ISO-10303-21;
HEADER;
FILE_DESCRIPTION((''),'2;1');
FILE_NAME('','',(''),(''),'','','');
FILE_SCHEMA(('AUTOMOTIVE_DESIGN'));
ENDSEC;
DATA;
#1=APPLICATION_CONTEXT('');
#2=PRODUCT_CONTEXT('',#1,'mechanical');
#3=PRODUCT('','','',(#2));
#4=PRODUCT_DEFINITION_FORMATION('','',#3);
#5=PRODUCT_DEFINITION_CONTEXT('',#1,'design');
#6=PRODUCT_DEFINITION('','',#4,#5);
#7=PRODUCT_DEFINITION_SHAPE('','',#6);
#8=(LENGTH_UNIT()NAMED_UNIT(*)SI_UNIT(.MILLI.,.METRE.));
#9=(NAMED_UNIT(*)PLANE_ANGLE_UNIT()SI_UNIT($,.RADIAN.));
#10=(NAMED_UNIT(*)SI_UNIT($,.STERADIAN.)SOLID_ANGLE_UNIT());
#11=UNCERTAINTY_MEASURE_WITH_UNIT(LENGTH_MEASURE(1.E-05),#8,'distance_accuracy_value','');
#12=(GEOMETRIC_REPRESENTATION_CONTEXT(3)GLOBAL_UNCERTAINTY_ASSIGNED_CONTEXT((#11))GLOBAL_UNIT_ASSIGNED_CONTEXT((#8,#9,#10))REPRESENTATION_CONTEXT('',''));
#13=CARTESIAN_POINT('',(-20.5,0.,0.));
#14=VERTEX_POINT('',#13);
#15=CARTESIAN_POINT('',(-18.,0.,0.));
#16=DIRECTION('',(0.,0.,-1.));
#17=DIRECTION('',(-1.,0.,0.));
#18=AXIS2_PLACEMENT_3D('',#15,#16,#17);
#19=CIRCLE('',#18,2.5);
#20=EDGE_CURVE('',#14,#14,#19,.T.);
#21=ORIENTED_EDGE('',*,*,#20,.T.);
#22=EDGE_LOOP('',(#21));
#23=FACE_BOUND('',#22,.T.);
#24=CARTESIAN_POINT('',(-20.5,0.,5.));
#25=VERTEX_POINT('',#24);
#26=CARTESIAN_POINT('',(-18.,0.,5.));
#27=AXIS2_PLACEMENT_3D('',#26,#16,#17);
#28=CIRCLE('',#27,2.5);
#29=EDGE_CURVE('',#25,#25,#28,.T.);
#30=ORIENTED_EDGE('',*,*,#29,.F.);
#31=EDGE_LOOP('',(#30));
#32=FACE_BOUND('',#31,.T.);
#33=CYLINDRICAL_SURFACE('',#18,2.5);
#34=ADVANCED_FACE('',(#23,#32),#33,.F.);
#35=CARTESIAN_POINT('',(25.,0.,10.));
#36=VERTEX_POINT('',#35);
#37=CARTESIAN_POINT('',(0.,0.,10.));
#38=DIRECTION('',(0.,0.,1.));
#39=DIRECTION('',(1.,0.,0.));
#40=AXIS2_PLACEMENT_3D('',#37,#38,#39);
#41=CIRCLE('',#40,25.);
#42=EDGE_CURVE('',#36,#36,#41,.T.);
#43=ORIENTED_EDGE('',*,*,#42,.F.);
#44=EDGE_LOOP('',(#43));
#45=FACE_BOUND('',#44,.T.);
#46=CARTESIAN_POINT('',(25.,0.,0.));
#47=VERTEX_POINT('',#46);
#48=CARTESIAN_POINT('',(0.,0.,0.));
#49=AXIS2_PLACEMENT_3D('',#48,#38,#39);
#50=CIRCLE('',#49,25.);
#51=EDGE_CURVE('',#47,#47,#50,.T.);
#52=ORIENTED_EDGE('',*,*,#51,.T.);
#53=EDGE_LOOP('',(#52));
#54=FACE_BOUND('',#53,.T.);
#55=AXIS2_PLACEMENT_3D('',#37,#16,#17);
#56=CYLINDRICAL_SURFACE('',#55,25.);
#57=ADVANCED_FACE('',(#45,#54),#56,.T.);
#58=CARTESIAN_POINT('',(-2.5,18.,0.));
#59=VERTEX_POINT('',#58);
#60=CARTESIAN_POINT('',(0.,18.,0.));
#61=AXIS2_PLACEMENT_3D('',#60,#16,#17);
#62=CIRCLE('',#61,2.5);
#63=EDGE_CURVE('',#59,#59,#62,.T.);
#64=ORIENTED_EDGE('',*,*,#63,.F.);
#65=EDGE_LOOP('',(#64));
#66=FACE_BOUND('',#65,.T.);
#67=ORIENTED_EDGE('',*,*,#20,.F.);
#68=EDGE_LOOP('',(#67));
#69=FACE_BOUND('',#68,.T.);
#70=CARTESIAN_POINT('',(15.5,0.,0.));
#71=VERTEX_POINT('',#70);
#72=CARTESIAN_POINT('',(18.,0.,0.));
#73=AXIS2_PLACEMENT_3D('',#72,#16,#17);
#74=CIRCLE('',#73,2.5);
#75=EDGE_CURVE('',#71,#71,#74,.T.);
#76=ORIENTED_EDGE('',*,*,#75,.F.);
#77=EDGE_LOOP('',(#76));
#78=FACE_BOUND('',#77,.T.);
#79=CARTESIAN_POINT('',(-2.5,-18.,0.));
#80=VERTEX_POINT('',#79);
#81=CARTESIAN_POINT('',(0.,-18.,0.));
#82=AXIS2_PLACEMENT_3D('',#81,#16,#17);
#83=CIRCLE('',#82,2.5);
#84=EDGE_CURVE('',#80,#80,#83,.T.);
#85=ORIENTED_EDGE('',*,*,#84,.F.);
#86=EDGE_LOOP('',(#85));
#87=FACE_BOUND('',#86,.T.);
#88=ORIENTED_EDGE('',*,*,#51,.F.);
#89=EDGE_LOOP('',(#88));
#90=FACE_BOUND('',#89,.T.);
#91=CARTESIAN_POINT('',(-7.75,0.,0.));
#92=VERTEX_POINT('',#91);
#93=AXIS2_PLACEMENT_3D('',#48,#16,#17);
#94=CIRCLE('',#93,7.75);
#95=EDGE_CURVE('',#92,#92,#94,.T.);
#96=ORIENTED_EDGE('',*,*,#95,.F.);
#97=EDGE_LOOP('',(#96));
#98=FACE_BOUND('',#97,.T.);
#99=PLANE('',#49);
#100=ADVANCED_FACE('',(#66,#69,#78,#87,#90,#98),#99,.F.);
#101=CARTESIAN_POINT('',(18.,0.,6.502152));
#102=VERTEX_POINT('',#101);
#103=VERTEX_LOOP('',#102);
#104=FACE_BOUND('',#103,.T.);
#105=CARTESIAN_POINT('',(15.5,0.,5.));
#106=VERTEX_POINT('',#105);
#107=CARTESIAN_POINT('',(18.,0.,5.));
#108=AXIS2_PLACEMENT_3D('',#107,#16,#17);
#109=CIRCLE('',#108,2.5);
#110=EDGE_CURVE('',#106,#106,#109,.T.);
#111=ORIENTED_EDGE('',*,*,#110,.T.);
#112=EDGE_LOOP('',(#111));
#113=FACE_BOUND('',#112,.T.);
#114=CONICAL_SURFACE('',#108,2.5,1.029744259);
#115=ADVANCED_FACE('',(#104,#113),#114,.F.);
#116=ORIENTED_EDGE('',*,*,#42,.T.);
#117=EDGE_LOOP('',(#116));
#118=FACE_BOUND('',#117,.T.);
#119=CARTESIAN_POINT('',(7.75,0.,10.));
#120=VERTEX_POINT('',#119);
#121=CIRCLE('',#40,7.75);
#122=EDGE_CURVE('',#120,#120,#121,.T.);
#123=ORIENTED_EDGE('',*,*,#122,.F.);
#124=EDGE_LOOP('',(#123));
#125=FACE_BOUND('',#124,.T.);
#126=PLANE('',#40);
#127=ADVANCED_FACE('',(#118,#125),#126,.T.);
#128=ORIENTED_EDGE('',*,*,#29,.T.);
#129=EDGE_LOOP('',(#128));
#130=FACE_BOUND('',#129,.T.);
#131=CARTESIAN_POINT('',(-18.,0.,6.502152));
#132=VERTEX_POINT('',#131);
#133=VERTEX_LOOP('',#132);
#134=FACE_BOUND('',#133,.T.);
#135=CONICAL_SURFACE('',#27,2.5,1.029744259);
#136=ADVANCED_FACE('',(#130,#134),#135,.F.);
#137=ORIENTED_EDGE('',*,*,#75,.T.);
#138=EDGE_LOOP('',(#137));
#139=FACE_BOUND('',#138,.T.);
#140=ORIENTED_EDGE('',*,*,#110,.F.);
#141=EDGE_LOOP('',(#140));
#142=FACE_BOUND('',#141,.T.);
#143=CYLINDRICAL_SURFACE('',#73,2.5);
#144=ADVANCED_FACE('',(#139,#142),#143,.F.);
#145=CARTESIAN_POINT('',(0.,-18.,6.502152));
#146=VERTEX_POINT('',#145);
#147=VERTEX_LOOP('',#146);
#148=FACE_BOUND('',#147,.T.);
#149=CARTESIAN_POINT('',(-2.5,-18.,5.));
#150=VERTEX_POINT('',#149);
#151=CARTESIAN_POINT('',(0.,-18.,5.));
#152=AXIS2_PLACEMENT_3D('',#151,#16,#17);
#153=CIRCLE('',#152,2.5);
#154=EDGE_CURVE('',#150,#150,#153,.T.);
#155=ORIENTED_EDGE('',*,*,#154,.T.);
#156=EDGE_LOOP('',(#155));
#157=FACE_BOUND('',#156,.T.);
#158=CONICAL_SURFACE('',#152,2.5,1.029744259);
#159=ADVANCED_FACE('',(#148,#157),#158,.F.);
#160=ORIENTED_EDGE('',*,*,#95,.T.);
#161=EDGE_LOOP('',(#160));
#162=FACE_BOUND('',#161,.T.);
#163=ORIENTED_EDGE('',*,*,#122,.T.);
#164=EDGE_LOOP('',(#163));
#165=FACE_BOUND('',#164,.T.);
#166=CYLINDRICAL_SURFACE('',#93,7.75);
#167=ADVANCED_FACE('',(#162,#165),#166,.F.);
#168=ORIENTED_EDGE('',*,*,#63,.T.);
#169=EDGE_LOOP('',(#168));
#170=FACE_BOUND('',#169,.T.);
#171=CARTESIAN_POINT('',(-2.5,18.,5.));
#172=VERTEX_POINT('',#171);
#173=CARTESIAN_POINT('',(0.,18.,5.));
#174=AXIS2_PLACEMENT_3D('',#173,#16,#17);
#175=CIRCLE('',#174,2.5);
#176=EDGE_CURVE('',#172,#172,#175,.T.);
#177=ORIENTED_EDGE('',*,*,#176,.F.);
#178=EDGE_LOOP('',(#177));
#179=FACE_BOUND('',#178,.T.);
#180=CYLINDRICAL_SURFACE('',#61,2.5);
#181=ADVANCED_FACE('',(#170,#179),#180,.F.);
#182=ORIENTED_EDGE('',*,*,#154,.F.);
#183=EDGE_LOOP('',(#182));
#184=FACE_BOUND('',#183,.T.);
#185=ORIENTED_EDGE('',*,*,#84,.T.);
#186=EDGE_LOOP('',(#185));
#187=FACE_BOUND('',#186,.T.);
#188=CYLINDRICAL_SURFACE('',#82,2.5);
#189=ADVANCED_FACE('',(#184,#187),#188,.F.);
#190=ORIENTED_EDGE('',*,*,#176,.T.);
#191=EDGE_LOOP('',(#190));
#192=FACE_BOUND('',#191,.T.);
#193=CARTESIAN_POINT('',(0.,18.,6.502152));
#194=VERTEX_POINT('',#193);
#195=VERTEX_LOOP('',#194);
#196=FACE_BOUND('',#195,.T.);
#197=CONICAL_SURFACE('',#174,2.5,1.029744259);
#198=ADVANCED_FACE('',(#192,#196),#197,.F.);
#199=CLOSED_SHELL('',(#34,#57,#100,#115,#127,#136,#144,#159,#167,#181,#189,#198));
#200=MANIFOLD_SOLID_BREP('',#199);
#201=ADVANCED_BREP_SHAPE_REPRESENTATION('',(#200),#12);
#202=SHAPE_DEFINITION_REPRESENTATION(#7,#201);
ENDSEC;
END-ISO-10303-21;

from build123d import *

# Parameters (mm, degrees)
SKETCH_1_R              = 25
EXTRUDE_1_DEPTH         = 10
HOLE_WIZARD_M18_1_D     = 15.5
HOLE_WIZARD_M18_1_DEPTH = 43.5
HOLE_WIZARD_M18_1_TIP   = 4.656669797
HOLE_WIZARD_M6_1_D      = 5
HOLE_WIZARD_M6_1_DEPTH  = 5
HOLE_WIZARD_M6_1_TIP    = 1.502151548


with BuildPart() as part:
    # 草图1 → 凸台-拉伸1 (new body)
    with BuildSketch(Plane.XY):
        Circle(SKETCH_1_R)
    extrude(amount=EXTRUDE_1_DEPTH)

    # M18 螺纹孔1
    with Locations(Plane(origin=(0, 0, 0), x_dir=(-1, 0, 0), z_dir=(0, 0, -1))):
        with Locations((0, 0)):
            Hole(HOLE_WIZARD_M18_1_D / 2, depth=HOLE_WIZARD_M18_1_DEPTH)
            with Locations((0, 0, -(HOLE_WIZARD_M18_1_DEPTH + HOLE_WIZARD_M18_1_TIP / 2))):  # 118° drill point
                Cone(0, HOLE_WIZARD_M18_1_D / 2, HOLE_WIZARD_M18_1_TIP, mode=Mode.SUBTRACT)

    # M6 螺纹孔1
    with Locations(Plane(origin=(0, 0, 0), x_dir=(-1, 0, 0), z_dir=(0, 0, -1))):
        with Locations((0, 18), (-18, 0), (18, 0), (0, -18)):
            Hole(HOLE_WIZARD_M6_1_D / 2, depth=HOLE_WIZARD_M6_1_DEPTH)
            with Locations((0, 0, -(HOLE_WIZARD_M6_1_DEPTH + HOLE_WIZARD_M6_1_TIP / 2))):  # 118° drill point
                Cone(0, HOLE_WIZARD_M6_1_D / 2, HOLE_WIZARD_M6_1_TIP, mode=Mode.SUBTRACT)


solid = part.part
